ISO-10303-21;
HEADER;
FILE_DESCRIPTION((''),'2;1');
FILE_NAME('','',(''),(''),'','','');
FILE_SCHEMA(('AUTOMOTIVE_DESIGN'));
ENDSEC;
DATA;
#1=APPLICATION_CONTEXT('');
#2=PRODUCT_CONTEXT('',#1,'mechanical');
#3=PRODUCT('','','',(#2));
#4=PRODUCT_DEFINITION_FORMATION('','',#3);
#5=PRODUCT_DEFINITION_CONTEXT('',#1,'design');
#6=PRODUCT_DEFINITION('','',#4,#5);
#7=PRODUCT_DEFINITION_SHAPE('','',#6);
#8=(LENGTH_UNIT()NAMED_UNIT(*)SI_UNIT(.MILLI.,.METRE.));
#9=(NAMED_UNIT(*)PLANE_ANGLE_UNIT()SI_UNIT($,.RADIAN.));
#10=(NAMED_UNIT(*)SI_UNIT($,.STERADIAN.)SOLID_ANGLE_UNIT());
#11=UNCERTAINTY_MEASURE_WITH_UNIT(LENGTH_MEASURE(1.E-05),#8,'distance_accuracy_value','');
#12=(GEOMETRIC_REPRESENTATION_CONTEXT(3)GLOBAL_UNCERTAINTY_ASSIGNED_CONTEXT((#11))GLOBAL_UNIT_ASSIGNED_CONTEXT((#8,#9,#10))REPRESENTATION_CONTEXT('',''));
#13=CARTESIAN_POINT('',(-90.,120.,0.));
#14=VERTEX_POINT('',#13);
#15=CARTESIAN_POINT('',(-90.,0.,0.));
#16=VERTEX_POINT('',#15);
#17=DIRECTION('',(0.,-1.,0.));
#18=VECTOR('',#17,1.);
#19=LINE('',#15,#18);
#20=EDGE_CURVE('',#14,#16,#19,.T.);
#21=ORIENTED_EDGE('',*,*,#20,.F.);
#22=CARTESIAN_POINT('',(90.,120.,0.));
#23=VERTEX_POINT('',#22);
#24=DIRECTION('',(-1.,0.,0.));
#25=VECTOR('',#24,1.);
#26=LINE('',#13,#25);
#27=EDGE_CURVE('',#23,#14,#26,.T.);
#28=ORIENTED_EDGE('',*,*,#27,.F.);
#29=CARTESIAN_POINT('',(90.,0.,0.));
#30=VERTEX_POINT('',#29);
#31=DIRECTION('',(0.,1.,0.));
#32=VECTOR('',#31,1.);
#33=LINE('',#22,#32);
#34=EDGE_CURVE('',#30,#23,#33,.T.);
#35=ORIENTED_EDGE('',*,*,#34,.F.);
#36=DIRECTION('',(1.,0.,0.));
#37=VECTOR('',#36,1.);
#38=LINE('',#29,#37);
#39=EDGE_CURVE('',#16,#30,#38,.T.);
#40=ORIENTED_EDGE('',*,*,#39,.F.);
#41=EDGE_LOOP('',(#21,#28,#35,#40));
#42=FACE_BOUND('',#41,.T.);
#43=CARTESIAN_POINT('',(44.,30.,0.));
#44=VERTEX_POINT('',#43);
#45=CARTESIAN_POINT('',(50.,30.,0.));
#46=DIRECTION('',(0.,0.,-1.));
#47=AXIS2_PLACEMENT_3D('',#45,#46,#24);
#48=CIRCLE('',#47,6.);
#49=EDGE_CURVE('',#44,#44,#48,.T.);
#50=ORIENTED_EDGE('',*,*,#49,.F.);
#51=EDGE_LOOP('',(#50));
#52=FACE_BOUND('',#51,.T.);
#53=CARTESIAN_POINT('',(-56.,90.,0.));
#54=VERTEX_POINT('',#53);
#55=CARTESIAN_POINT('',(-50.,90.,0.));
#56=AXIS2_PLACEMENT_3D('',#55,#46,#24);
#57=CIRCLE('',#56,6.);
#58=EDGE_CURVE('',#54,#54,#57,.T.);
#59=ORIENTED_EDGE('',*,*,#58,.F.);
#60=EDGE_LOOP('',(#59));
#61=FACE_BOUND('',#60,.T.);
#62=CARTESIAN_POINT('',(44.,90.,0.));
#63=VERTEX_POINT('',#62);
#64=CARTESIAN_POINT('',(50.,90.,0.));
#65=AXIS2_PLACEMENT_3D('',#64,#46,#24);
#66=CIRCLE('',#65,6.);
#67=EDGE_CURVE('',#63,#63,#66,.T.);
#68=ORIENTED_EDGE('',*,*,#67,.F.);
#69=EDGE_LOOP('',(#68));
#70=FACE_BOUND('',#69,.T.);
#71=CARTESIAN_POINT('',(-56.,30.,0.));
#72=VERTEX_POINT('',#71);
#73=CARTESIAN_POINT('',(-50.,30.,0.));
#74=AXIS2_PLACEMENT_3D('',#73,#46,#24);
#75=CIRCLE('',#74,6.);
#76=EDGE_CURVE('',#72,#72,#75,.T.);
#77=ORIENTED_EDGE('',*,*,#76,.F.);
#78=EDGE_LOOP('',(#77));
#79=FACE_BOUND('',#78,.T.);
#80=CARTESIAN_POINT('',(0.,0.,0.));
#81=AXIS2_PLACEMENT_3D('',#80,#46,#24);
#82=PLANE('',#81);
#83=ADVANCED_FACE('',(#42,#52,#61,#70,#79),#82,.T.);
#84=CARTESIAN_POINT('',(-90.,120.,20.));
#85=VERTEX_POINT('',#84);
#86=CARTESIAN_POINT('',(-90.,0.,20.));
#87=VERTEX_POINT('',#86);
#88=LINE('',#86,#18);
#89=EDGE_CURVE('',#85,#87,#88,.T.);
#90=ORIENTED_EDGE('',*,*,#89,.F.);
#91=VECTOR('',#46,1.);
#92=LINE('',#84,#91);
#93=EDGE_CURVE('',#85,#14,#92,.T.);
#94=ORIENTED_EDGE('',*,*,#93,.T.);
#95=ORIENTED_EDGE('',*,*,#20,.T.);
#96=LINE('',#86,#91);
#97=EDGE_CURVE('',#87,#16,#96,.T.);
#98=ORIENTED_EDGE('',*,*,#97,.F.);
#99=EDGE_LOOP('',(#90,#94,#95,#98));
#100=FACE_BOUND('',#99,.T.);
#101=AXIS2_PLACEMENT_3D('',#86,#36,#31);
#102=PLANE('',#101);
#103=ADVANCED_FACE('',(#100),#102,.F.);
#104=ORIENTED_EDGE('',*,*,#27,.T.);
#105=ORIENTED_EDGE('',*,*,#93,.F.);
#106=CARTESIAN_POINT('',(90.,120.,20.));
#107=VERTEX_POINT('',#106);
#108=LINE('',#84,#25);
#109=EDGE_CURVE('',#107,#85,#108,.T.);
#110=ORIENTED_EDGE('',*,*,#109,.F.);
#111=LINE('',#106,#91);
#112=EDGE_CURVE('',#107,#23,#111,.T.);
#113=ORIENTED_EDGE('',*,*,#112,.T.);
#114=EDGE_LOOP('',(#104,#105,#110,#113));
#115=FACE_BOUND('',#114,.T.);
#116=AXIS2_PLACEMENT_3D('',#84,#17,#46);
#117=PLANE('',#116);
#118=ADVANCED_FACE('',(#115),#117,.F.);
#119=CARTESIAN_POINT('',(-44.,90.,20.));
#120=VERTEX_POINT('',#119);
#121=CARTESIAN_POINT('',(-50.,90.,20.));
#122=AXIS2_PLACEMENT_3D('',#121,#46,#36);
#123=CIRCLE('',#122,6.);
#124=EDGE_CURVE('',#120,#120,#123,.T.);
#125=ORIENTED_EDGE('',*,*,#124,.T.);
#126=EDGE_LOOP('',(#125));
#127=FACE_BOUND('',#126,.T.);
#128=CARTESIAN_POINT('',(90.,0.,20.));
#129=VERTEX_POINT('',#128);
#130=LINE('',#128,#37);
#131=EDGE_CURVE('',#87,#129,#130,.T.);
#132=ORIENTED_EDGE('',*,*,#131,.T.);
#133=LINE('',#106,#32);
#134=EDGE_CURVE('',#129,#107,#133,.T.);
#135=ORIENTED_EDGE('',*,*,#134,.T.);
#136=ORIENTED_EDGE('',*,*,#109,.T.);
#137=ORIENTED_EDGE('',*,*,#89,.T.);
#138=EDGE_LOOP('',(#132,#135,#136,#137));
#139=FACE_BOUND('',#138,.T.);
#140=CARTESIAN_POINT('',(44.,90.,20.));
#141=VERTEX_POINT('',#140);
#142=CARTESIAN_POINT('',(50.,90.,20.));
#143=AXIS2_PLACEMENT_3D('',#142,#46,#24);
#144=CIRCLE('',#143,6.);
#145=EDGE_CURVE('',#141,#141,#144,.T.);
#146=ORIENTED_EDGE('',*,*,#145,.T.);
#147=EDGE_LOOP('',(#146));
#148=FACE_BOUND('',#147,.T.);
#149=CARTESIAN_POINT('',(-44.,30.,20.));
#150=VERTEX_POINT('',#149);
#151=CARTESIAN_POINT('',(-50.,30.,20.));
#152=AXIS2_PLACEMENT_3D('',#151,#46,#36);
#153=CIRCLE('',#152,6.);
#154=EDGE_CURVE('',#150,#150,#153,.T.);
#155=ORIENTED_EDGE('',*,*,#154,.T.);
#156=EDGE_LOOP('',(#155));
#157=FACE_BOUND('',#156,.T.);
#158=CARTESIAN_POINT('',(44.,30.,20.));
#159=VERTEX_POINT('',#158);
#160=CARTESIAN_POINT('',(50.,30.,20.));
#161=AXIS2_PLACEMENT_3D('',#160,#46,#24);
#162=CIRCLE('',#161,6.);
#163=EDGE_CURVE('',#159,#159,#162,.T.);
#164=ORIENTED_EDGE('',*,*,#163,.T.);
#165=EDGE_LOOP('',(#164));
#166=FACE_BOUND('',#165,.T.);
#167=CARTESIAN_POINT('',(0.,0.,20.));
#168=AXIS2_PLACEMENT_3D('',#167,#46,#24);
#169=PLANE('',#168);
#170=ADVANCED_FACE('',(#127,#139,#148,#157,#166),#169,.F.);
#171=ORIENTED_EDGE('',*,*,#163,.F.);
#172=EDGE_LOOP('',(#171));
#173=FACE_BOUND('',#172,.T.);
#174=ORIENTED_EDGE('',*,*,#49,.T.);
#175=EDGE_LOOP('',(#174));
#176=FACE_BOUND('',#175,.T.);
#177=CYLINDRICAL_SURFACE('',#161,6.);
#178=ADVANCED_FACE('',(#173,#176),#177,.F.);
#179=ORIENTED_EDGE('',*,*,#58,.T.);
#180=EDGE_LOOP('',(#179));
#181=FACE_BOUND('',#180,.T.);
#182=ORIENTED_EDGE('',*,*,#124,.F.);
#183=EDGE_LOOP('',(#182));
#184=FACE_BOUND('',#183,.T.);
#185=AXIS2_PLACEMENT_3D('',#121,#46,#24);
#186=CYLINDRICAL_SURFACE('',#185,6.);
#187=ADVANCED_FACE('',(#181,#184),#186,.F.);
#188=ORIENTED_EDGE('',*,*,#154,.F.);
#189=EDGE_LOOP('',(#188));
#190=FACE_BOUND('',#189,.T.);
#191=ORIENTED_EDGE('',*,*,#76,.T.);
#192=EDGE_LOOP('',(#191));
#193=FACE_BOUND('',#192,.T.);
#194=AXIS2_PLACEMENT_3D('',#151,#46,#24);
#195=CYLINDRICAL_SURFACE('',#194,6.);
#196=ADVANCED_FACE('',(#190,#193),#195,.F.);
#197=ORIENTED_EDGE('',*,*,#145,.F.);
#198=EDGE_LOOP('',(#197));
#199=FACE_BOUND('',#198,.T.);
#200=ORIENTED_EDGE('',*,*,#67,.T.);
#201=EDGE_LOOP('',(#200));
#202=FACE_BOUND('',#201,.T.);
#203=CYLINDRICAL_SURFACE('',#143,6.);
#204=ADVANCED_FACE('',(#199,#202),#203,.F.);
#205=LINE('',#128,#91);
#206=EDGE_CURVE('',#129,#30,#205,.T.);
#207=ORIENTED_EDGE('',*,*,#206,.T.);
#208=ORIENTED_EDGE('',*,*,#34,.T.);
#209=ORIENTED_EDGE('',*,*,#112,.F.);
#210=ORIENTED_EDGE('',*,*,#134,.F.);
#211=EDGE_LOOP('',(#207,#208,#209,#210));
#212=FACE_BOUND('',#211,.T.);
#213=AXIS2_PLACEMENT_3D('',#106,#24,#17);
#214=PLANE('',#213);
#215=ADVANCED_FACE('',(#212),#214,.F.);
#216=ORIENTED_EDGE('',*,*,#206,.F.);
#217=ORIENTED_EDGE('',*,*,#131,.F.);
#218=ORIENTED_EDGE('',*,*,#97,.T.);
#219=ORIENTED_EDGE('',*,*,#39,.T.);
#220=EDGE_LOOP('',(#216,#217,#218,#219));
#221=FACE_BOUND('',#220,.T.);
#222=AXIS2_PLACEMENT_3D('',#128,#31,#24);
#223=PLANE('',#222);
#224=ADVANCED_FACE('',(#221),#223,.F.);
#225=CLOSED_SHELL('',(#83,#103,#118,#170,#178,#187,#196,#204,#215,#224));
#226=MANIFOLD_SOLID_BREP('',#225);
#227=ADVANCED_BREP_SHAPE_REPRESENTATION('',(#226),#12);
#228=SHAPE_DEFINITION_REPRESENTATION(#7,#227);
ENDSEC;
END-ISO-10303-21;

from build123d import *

# Parameters (mm, degrees)
ESBO_O1_W                  = 180
ESBO_O1_H                  = 120
RESSALTO_EXTRUS_O1_DEPTH   = 20
CORTE_EXTRUS_O1_DEPTH      = 152.327459504
CORTE_EXTRUS_O1_DEPTH_BACK = 152.327459504
ESBO_O2_R                  = 6


with BuildPart() as part:
    # Esboço1 → Ressalto-extrusão1 (new body)
    with BuildSketch(Plane.XY):
        with Locations((0, 60)):
            Rectangle(ESBO_O1_W, ESBO_O1_H)
    extrude(amount=RESSALTO_EXTRUS_O1_DEPTH)

    # Esboço2 → Corte-extrusão1 (cut, two sides: drawn at the far end of the back side and taken through both)
    with BuildSketch(Plane(origin=(0, 0, 0), x_dir=(-1, 0, 0), z_dir=(0, 0, -1)).offset(-CORTE_EXTRUS_O1_DEPTH_BACK)):
        with Locations((-50, 90)):
            Circle(ESBO_O2_R)
        with Locations((-50, 30)):
            Circle(ESBO_O2_R)
        with Locations((50, 30)):
            Circle(ESBO_O2_R)
        with Locations((50, 90)):
            Circle(ESBO_O2_R)
    extrude(amount=CORTE_EXTRUS_O1_DEPTH + CORTE_EXTRUS_O1_DEPTH_BACK, mode=Mode.SUBTRACT)


solid = part.part
